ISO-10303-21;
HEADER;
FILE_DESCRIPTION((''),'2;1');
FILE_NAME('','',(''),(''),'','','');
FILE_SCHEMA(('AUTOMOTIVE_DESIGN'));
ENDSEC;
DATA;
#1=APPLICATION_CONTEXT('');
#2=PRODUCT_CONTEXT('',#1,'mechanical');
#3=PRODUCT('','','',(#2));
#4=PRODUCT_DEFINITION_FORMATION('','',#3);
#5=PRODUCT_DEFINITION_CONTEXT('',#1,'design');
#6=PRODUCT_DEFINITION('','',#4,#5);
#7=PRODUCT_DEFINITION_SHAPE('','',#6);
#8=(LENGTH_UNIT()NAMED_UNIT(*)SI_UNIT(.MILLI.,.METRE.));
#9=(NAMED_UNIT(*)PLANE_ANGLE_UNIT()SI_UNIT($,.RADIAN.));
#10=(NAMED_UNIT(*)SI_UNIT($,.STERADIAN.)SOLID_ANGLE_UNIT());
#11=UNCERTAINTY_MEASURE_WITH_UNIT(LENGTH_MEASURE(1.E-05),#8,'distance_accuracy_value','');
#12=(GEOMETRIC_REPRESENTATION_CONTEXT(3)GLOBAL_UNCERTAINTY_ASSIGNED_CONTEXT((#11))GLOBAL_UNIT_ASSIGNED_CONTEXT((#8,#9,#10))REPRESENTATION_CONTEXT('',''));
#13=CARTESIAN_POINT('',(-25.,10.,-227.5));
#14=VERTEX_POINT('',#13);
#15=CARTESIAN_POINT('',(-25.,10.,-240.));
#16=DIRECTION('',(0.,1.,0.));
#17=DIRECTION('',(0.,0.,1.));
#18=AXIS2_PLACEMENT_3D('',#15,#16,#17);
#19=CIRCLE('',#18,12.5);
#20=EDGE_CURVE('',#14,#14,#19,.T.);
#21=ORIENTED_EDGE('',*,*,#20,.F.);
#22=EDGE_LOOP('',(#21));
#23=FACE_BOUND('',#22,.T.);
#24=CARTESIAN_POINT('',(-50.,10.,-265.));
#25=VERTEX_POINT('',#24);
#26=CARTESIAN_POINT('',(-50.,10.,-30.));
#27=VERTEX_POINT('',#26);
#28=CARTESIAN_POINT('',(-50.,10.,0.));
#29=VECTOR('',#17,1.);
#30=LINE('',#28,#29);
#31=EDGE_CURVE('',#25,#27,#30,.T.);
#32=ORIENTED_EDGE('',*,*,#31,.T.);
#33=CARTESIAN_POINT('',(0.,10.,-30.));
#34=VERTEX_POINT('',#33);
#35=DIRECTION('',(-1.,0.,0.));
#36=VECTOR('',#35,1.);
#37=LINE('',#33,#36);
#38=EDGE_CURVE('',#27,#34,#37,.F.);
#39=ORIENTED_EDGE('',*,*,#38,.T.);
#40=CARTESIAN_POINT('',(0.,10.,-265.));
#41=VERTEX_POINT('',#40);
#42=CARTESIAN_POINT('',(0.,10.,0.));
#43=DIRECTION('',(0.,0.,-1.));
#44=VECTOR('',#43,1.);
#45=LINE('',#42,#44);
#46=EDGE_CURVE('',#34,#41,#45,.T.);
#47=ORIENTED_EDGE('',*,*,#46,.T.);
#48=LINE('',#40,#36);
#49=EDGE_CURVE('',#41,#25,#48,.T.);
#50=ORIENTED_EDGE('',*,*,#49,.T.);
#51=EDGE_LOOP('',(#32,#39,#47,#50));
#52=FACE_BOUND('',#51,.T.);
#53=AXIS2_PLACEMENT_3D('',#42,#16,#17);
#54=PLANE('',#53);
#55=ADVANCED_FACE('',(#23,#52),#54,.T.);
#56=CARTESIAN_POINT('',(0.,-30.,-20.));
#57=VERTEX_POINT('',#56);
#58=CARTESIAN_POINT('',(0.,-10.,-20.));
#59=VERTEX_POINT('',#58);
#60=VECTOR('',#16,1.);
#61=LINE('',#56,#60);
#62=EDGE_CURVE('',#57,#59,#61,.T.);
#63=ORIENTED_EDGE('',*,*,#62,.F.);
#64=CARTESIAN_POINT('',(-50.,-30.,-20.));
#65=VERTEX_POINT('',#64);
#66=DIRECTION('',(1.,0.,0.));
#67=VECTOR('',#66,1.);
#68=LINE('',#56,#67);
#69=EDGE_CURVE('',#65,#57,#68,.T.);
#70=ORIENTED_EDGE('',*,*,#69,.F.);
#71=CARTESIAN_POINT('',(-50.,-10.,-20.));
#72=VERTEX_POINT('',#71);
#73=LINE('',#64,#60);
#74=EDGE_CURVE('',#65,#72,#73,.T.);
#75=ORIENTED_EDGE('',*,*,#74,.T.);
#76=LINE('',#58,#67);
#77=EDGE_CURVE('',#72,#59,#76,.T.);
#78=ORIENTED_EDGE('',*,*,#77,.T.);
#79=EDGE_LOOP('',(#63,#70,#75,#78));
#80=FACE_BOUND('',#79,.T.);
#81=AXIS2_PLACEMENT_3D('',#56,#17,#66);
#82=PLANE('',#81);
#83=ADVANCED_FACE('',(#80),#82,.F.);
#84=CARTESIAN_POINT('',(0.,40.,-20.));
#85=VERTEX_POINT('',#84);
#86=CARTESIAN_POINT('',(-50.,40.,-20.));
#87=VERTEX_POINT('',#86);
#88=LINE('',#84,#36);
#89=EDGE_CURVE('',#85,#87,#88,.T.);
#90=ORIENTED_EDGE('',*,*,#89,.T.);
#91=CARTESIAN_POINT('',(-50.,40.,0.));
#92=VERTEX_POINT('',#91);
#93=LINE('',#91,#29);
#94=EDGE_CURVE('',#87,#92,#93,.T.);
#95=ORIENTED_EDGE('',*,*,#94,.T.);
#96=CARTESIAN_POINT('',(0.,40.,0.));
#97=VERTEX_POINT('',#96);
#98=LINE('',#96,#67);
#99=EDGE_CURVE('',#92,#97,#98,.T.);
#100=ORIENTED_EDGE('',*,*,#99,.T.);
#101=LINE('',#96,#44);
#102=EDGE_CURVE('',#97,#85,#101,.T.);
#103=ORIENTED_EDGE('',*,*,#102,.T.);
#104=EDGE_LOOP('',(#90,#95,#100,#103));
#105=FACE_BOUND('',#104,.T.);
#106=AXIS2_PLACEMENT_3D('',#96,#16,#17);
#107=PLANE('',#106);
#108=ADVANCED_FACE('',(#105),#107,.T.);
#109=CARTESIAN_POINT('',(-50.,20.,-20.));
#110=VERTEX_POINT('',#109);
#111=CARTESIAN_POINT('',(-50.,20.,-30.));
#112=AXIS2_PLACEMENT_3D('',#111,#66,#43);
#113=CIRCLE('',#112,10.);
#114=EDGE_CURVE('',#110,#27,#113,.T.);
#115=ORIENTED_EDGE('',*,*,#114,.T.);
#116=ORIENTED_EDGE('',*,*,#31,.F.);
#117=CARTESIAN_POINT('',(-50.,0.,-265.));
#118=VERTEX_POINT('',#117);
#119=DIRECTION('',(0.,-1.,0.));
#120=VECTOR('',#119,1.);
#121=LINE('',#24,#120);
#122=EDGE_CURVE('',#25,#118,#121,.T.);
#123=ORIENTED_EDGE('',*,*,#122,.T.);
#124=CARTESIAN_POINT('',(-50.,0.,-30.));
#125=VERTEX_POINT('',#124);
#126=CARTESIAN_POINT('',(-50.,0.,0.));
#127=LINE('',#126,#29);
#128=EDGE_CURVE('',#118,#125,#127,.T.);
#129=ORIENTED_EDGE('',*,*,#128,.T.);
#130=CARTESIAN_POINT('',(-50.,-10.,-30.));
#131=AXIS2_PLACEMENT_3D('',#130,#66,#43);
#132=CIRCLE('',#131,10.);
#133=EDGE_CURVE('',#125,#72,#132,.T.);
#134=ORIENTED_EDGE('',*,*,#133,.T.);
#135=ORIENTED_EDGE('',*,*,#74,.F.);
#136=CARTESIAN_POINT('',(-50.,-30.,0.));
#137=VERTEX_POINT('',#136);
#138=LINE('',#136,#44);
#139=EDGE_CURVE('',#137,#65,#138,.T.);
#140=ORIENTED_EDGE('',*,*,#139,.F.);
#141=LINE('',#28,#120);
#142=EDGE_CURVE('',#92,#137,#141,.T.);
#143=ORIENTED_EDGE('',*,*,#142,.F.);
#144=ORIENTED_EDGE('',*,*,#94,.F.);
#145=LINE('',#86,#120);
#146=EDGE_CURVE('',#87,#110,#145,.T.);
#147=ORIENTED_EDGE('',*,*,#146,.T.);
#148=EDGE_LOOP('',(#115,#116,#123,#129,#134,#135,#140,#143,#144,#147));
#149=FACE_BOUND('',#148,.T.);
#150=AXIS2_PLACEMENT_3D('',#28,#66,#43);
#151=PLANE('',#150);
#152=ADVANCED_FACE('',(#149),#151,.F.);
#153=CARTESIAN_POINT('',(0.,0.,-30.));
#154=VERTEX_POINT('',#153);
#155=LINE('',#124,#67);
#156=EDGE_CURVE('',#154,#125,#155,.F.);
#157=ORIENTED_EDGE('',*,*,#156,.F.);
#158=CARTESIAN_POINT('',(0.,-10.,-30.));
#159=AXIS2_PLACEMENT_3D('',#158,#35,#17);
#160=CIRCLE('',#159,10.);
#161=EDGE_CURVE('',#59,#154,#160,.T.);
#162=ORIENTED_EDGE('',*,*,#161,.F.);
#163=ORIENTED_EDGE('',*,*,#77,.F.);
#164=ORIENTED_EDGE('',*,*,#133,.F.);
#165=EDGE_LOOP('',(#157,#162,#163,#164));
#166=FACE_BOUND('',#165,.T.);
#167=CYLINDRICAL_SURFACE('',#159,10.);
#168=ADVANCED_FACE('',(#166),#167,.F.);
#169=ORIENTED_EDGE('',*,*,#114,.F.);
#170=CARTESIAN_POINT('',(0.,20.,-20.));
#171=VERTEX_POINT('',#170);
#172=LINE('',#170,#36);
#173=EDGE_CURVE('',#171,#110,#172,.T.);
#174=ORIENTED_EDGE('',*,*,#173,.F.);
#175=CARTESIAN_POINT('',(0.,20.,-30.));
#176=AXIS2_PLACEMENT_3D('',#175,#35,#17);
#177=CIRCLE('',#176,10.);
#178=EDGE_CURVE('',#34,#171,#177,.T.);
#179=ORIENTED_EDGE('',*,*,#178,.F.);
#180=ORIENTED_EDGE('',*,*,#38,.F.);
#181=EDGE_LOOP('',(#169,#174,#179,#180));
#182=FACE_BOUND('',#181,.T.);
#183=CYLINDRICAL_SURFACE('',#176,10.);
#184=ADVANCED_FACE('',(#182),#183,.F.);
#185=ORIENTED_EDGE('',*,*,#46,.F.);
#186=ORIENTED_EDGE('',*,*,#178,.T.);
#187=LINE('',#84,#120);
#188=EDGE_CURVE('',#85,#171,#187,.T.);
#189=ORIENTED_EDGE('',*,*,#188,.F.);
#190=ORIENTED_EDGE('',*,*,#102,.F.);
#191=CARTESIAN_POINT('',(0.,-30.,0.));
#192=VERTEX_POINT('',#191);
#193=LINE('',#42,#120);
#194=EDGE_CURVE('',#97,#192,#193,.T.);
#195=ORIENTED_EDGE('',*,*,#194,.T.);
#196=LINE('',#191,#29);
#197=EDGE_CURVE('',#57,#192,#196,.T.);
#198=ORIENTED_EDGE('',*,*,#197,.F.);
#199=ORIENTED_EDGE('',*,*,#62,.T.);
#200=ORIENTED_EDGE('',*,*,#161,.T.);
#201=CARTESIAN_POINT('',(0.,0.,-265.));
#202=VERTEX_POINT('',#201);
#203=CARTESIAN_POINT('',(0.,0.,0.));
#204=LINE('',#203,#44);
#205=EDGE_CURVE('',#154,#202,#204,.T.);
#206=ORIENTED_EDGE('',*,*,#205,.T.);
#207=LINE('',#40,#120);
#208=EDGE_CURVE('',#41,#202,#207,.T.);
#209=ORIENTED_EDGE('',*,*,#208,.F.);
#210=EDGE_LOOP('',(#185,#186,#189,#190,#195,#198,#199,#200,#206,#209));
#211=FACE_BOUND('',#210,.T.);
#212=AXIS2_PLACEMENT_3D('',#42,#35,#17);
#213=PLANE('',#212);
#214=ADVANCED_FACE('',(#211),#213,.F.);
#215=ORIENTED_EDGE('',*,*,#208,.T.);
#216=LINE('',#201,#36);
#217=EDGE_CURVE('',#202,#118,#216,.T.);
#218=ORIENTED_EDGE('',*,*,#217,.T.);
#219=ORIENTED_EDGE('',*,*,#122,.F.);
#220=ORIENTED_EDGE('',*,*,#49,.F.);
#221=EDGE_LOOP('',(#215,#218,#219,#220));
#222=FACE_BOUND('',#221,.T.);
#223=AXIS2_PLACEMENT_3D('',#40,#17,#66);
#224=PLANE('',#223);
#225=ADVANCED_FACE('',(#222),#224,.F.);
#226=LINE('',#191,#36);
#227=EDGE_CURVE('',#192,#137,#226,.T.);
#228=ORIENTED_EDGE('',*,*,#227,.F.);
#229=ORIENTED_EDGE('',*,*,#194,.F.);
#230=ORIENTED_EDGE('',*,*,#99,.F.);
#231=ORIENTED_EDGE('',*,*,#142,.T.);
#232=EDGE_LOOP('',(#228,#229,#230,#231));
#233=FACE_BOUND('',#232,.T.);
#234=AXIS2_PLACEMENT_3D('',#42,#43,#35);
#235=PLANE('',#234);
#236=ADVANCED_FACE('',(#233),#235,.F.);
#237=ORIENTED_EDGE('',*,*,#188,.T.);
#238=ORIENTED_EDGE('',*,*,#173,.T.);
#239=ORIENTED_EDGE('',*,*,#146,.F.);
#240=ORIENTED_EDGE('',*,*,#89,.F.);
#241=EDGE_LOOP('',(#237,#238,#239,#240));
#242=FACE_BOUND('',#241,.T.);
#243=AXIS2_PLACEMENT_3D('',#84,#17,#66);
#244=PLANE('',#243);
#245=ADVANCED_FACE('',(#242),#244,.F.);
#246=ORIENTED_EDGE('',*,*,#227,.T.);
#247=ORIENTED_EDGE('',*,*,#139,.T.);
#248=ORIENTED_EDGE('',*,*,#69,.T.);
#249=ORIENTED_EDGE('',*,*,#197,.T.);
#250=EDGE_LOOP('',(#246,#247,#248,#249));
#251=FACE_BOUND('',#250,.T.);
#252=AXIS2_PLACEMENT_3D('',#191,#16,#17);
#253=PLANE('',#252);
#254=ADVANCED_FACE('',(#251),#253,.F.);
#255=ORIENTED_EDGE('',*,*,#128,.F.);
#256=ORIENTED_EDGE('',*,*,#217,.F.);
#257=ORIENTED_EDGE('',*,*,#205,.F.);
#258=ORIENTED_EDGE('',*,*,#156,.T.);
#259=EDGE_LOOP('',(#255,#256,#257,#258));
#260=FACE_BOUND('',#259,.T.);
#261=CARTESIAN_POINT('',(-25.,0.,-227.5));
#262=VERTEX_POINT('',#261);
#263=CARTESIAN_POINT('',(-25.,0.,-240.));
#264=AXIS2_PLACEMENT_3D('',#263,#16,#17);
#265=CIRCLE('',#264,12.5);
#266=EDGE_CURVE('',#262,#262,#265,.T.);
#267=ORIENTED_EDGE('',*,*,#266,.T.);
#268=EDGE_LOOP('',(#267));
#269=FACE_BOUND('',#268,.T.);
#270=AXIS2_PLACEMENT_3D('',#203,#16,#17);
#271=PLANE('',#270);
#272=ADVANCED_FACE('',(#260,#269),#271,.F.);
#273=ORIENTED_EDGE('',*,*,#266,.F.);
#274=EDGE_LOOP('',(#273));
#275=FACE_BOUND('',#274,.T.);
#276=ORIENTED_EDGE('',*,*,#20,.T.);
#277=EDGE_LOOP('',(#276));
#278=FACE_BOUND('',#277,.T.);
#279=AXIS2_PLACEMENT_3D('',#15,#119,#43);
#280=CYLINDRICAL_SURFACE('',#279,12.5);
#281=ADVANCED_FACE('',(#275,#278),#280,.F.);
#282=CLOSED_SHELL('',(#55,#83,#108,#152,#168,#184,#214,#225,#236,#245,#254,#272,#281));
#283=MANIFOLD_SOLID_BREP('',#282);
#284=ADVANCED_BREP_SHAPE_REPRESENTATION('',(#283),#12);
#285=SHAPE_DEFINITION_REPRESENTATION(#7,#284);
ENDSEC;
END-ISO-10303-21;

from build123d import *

# Parameters (mm, degrees)
SKETCH1_W           = 50
SKETCH1_H           = 265
SKETCH1_R           = 12.5
BOSS_EXTRUDE1_DEPTH = 10
SKETCH2_W           = 50
SKETCH2_H           = 20
BOSS_EXTRUDE2_DEPTH = 30
SKETCH3_W           = 50
SKETCH3_H           = 20
BOSS_EXTRUDE3_DEPTH = 30
FILLET1_R           = 10


with BuildPart() as part:
    # Sketch1 → Boss-Extrude1 (new body)
    with BuildSketch(Plane(origin=(0, 0, 0), x_dir=(1, 0, 0), z_dir=(0, 1, 0))):
        with Locations((-25, 132.5)):
            Rectangle(SKETCH1_W, SKETCH1_H)
        with Locations(Location((-25, 240, 0), (0, 0, 270))):
            Circle(SKETCH1_R, mode=Mode.SUBTRACT)
    extrude(amount=BOSS_EXTRUDE1_DEPTH)

    # Sketch2 → Boss-Extrude2 (add)
    with BuildSketch(Plane(origin=(0, 10, 0), x_dir=(1, 0, 0), z_dir=(0, 1, 0))):
        with Locations((-25, 10)):
            Rectangle(SKETCH2_W, SKETCH2_H)
    extrude(amount=BOSS_EXTRUDE2_DEPTH)

    # Sketch3 → Boss-Extrude3 (add)
    with BuildSketch(Plane.XZ):
        with Locations((-25, -10)):
            Rectangle(SKETCH3_W, SKETCH3_H)
    extrude(amount=BOSS_EXTRUDE3_DEPTH)

    # Fillet1
    fillet1_edges = [part.edges().sort_by_distance(p)[0] for p in [
        (-25, 10, -20),
        (-25, 0, -20),
    ]]
    fillet(fillet1_edges, radius=FILLET1_R)


solid = part.part
